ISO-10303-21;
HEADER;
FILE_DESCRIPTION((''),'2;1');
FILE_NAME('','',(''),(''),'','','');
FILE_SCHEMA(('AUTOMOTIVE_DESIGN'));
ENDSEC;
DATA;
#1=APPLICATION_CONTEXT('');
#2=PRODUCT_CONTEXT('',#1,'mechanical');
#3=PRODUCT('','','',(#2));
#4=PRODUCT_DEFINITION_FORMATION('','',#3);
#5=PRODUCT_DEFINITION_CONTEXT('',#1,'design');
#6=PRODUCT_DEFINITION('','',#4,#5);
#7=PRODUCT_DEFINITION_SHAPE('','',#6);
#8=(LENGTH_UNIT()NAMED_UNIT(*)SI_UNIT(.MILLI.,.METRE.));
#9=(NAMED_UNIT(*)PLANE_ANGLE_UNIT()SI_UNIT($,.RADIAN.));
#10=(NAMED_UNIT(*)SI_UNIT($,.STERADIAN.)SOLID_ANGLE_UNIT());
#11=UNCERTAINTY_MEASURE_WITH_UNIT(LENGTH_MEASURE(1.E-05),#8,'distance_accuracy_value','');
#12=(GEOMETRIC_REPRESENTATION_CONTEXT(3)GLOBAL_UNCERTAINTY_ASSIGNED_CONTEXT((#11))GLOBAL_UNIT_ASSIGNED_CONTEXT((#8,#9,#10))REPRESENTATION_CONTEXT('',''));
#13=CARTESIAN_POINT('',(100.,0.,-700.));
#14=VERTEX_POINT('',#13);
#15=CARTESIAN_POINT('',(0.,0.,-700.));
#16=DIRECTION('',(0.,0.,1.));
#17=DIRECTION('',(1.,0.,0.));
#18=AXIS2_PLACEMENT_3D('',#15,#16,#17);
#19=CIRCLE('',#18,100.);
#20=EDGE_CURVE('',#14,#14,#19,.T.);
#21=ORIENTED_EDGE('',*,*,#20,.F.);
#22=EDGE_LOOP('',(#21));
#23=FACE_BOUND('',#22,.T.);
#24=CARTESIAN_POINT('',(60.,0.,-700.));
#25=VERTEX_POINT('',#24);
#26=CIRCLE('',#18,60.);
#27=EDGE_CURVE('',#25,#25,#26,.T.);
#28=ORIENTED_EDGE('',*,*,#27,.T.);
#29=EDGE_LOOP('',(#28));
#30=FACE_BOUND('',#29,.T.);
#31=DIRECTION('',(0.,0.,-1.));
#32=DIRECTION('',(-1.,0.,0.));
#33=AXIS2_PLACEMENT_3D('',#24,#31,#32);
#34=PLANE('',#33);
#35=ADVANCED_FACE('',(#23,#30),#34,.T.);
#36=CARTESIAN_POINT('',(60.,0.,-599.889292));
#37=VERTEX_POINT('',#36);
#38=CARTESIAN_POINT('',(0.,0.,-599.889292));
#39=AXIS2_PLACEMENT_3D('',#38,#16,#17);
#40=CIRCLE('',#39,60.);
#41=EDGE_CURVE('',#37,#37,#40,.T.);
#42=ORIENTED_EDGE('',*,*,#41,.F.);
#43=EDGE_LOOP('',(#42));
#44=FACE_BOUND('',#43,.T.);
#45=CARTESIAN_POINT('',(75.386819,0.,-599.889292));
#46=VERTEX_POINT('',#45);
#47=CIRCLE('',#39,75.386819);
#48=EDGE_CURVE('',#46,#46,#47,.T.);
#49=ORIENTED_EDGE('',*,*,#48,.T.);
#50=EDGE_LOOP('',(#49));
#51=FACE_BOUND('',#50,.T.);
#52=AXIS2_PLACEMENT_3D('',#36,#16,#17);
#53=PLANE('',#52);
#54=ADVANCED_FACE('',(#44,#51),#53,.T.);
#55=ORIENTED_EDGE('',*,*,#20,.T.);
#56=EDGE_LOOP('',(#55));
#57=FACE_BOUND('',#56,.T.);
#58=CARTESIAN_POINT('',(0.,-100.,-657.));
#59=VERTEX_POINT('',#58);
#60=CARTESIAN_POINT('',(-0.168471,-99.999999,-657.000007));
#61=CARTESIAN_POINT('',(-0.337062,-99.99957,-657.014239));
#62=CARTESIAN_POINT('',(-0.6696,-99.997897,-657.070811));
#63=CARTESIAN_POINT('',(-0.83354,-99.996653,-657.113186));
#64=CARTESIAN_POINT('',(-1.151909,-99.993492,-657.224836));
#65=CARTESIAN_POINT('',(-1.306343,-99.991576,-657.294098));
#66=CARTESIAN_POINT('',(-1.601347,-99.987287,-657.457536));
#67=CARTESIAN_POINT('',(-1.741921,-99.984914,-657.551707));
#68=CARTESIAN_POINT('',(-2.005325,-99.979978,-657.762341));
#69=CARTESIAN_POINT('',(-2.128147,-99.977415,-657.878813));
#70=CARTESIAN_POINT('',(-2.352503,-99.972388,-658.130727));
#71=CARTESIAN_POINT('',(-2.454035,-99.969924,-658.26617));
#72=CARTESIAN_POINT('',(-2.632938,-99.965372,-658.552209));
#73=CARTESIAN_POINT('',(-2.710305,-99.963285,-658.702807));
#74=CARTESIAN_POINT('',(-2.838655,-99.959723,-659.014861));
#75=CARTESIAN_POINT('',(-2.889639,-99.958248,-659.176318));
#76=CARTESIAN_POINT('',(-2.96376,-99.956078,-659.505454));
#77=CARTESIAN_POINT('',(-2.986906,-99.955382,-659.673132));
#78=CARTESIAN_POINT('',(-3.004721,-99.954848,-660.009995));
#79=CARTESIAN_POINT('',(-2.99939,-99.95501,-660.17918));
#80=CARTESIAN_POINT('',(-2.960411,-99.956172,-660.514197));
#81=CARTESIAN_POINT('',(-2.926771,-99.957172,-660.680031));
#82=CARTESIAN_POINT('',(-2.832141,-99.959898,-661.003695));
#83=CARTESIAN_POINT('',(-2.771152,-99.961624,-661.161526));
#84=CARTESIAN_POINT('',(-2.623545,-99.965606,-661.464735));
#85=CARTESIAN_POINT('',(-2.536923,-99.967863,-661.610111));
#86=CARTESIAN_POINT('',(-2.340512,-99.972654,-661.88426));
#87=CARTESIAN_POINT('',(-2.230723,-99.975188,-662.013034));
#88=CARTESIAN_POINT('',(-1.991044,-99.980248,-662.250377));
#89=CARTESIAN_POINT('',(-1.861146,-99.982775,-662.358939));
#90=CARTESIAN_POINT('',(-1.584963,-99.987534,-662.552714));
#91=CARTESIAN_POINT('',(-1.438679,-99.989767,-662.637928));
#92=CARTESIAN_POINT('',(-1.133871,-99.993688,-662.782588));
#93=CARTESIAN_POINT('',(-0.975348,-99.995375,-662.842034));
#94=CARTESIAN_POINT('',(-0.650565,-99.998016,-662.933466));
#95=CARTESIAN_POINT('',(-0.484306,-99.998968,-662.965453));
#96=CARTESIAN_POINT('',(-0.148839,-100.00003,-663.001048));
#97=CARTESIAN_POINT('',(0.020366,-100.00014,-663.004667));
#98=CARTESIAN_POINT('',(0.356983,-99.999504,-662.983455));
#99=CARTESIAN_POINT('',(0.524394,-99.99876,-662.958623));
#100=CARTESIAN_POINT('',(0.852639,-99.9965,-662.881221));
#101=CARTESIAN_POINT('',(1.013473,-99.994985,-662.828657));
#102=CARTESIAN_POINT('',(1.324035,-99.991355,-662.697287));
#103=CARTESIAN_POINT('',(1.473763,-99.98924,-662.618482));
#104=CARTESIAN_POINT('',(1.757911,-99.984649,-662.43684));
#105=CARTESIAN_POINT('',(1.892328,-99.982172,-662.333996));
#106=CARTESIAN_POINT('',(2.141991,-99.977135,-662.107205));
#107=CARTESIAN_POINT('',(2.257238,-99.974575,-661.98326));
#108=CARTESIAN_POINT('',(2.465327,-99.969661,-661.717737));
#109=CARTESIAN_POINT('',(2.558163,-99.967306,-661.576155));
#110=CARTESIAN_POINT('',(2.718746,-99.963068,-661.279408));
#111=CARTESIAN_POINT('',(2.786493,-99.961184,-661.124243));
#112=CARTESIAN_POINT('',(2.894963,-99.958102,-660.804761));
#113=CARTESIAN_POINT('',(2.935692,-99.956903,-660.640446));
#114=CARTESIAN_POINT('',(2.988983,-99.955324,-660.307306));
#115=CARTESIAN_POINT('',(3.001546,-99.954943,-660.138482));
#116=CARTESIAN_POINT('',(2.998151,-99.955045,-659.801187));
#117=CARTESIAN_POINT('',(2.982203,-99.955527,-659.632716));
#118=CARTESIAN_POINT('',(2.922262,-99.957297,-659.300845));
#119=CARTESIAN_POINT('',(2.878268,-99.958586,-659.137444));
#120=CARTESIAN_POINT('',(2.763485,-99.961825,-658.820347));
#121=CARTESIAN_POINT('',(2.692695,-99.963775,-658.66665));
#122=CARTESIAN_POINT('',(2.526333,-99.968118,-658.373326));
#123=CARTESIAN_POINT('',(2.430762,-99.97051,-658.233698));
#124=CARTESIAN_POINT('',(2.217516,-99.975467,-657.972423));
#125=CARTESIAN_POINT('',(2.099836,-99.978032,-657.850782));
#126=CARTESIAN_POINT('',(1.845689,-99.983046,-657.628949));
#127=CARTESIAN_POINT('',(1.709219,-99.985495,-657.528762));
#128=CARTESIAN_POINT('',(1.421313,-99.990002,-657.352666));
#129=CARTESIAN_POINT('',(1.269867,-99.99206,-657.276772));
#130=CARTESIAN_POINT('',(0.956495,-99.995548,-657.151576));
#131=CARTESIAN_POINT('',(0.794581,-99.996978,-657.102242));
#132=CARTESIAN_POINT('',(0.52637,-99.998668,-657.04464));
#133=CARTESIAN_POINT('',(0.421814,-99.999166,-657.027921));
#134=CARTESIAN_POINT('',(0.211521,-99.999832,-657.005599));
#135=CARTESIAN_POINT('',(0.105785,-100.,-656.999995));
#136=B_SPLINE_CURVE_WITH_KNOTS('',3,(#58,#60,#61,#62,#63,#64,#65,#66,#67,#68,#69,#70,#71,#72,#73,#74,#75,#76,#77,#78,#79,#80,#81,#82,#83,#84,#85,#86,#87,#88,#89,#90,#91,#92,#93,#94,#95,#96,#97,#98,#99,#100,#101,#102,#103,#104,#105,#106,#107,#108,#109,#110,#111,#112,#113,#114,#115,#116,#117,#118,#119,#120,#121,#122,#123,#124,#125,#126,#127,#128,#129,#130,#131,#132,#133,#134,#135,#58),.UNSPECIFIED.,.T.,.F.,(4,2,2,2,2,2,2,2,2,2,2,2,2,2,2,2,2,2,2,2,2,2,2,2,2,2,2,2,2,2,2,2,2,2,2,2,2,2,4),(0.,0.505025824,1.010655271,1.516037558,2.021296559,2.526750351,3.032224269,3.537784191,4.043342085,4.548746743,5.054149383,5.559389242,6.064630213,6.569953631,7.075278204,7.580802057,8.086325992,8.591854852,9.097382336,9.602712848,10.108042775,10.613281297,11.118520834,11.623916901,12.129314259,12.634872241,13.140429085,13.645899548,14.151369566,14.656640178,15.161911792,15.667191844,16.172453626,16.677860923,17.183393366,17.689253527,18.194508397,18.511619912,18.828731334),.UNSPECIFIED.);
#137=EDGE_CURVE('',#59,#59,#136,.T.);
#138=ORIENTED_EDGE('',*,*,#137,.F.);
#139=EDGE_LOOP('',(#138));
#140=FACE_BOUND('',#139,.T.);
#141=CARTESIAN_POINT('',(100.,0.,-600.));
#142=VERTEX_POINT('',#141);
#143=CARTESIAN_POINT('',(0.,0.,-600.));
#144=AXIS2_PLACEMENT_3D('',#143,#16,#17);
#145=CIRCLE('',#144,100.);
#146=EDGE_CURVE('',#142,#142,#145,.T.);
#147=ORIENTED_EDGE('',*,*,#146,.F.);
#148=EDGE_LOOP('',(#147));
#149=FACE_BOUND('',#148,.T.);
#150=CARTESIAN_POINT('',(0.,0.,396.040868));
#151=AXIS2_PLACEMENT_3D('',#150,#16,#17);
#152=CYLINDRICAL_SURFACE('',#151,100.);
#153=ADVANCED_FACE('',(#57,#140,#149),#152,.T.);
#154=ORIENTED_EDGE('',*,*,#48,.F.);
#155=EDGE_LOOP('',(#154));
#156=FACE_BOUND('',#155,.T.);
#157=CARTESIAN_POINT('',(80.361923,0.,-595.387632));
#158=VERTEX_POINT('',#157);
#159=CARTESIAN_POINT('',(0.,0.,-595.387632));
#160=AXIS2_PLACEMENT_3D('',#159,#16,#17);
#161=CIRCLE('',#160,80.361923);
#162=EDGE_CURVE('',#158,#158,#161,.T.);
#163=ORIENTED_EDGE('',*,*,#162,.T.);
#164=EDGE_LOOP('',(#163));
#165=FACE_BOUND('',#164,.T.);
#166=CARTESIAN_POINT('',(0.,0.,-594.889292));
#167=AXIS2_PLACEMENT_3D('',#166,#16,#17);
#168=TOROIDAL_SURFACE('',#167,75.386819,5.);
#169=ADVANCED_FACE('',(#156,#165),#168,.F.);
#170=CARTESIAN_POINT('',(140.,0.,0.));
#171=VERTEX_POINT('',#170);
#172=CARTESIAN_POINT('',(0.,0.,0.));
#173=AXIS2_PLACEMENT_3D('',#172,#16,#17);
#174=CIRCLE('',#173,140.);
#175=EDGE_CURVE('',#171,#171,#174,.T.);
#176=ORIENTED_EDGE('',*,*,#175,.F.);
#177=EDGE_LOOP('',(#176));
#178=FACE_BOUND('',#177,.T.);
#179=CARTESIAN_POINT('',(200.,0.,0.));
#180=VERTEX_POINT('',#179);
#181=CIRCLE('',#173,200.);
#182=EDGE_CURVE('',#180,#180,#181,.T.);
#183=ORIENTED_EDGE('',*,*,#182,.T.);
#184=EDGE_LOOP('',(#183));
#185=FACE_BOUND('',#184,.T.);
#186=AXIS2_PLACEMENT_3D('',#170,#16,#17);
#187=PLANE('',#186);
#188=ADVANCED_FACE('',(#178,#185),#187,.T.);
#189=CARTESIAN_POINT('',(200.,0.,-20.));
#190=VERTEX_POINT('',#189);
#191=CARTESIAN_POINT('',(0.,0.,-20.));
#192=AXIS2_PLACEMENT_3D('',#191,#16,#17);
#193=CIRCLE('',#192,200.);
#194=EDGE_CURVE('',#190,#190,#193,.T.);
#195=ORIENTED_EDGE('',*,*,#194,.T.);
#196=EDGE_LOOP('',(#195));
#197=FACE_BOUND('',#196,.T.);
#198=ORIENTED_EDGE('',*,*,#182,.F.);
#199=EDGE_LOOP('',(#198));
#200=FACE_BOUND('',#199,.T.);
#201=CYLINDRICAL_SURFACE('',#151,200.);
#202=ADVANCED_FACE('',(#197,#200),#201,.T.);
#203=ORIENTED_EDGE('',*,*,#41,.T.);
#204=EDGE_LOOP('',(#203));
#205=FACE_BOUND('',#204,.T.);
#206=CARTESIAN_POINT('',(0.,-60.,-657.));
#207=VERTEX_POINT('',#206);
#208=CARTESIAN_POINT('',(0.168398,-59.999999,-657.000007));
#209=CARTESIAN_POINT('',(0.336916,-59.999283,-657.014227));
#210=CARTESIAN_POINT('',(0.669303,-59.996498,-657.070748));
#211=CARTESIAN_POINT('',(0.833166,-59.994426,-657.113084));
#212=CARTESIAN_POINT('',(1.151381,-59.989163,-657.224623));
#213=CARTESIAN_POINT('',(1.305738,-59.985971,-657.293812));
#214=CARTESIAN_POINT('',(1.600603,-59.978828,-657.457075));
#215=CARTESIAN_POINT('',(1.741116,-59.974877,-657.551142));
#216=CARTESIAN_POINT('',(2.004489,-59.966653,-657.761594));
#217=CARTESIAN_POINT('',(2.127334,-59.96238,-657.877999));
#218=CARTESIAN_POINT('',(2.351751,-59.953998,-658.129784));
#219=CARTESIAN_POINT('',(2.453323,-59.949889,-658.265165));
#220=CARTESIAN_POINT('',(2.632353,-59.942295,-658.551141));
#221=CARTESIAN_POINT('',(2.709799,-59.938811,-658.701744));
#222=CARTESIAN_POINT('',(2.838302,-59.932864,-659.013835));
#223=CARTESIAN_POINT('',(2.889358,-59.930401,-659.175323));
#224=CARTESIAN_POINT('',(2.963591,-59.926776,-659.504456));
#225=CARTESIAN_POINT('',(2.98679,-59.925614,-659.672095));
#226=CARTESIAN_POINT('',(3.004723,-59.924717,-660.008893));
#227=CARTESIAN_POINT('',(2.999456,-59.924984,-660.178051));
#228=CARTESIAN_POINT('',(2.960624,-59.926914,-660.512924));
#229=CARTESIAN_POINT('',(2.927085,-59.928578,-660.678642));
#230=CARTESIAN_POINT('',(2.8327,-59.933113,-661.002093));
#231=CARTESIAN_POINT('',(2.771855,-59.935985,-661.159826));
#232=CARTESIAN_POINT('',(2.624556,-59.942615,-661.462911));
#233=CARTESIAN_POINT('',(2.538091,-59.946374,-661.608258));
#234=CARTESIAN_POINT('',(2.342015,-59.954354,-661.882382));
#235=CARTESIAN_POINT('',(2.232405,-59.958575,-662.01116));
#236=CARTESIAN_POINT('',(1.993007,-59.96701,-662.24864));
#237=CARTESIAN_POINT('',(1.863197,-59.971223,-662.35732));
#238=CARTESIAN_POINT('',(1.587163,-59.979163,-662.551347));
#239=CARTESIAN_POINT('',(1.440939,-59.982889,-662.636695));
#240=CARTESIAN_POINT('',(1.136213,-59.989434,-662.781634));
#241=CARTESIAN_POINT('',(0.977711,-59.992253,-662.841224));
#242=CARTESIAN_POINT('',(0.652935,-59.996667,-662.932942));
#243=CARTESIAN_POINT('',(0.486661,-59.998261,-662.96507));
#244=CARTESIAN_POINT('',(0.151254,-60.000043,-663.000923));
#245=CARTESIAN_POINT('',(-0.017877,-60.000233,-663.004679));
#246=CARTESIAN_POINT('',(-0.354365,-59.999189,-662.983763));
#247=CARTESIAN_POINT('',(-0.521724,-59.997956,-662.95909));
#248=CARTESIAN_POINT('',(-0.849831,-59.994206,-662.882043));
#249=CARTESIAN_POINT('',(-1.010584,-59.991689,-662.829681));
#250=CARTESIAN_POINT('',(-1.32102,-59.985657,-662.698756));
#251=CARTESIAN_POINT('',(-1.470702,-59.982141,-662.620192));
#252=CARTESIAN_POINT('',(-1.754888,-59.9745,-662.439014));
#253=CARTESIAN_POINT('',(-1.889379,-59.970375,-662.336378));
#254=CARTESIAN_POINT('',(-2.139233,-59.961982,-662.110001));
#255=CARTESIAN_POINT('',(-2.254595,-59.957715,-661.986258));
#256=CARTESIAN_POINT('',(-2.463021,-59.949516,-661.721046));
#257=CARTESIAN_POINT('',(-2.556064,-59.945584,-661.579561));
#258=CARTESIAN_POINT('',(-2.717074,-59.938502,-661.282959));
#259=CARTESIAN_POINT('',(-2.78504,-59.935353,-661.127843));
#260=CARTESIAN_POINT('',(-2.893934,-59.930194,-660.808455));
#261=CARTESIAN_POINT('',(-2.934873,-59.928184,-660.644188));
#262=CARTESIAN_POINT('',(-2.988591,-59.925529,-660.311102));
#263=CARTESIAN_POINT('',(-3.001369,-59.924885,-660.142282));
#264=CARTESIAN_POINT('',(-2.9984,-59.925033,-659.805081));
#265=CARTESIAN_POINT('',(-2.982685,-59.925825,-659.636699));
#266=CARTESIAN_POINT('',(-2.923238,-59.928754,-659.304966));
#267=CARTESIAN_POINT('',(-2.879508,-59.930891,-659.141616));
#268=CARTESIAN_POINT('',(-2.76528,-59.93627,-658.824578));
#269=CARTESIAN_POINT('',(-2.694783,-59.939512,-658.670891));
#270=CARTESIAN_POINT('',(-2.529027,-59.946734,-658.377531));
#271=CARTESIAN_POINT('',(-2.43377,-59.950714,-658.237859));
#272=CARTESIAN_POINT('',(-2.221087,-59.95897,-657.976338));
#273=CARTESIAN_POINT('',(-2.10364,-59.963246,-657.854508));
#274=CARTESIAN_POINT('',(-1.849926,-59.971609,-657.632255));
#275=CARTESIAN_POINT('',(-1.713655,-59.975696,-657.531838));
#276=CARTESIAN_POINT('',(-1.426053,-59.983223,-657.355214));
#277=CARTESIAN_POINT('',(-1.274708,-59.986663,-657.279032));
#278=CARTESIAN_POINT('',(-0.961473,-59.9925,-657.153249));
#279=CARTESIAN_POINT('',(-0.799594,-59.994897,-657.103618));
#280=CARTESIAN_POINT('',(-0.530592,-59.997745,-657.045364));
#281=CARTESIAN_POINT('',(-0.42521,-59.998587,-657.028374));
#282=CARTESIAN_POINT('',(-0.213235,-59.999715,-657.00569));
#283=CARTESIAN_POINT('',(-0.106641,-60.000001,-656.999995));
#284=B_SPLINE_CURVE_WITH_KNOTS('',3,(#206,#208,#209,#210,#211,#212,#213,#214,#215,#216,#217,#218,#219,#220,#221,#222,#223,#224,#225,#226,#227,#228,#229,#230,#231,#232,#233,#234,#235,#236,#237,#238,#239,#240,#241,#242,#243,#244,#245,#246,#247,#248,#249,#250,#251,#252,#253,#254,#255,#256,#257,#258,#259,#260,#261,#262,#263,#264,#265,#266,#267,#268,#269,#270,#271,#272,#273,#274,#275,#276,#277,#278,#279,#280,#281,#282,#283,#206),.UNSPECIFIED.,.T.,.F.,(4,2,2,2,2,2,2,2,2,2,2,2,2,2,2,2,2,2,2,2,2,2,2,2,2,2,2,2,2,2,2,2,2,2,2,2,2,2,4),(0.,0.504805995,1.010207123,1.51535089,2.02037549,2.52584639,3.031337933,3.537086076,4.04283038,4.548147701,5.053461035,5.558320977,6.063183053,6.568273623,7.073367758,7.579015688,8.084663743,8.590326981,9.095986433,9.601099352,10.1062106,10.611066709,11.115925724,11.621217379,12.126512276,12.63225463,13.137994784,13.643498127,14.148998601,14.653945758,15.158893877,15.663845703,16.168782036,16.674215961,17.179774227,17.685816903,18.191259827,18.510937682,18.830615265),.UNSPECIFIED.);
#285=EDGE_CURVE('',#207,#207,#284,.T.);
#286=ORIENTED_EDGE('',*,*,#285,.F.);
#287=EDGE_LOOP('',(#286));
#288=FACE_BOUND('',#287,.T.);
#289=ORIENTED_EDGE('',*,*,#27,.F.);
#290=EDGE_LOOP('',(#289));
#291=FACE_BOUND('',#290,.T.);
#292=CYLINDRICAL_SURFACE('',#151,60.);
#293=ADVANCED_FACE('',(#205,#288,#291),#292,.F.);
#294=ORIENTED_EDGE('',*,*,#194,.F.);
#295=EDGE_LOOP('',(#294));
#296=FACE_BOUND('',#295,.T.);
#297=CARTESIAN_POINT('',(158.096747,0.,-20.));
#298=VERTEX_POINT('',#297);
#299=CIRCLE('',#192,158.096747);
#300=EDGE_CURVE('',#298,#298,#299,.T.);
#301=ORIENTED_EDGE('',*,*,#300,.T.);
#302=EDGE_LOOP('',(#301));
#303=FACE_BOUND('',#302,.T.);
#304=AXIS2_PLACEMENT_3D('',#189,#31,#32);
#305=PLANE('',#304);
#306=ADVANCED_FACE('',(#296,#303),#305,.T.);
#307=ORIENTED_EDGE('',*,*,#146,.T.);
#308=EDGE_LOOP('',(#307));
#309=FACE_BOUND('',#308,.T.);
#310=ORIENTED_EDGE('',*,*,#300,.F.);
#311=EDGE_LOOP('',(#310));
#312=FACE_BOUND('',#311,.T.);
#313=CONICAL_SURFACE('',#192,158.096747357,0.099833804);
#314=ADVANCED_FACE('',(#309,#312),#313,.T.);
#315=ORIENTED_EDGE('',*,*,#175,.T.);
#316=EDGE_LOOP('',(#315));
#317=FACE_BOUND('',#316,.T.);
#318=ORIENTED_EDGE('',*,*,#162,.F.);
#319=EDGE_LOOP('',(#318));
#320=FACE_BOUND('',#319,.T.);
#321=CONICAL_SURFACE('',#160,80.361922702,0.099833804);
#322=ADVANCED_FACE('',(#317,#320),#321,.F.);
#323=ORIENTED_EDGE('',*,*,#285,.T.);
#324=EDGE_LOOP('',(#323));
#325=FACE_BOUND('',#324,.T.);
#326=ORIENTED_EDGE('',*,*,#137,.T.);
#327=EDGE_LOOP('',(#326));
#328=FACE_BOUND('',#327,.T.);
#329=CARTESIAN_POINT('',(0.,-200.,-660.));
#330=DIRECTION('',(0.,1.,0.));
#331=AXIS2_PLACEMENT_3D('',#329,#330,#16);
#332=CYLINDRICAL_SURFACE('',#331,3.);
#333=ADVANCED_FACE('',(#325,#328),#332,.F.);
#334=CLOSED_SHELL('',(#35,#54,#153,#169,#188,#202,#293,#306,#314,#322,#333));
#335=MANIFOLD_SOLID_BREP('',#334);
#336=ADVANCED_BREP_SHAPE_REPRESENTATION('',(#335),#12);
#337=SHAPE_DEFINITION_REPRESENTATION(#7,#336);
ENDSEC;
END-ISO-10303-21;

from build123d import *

# Parameters (mm, degrees)
SKETCH2_R          = 3
CUT_EXTRUDE1_DEPTH = 755.983443527


with BuildPart() as part:
    # Sketch1 → Revolve1 (revolve)
    with BuildSketch(Plane(origin=(0, 0, 0), x_dir=(1, 0, 0), z_dir=(0, 1, 0))):
        with BuildLine():
            Line((60, 700), (100, 700))
            Line((100, 700), (100, 600))
            Line((100, 600), (158.096747357, 20))
            Line((158.096747357, 20), (200, 20))
            Line((200, 20), (200, 0))
            Line((200, 0), (140, 0))
            Line((140, 0), (80.361922702, 595.387631955))
            ThreePointArc((80.361922702, 595.387631955), (78.741539447, 598.596831406), (75.386818985, 599.889291707))
            Line((75.386818985, 599.889291707), (60, 599.889291707))
            Line((60, 599.889291707), (60, 700))
        make_face()
    revolve(axis=Axis((0, 0, 396.040868455), (0, 0, -1)))

    # Sketch2 → Cut-Extrude1 (cut, through all)
    with BuildSketch(Plane(origin=(0, 0, 0), x_dir=(1, 0, 0), z_dir=(0, 1, 0))):
        with Locations(Location((0, 660, 0), (0, 0, 270))):
            Circle(SKETCH2_R)
    extrude(amount=-CUT_EXTRUDE1_DEPTH, mode=Mode.SUBTRACT)


solid = part.part
